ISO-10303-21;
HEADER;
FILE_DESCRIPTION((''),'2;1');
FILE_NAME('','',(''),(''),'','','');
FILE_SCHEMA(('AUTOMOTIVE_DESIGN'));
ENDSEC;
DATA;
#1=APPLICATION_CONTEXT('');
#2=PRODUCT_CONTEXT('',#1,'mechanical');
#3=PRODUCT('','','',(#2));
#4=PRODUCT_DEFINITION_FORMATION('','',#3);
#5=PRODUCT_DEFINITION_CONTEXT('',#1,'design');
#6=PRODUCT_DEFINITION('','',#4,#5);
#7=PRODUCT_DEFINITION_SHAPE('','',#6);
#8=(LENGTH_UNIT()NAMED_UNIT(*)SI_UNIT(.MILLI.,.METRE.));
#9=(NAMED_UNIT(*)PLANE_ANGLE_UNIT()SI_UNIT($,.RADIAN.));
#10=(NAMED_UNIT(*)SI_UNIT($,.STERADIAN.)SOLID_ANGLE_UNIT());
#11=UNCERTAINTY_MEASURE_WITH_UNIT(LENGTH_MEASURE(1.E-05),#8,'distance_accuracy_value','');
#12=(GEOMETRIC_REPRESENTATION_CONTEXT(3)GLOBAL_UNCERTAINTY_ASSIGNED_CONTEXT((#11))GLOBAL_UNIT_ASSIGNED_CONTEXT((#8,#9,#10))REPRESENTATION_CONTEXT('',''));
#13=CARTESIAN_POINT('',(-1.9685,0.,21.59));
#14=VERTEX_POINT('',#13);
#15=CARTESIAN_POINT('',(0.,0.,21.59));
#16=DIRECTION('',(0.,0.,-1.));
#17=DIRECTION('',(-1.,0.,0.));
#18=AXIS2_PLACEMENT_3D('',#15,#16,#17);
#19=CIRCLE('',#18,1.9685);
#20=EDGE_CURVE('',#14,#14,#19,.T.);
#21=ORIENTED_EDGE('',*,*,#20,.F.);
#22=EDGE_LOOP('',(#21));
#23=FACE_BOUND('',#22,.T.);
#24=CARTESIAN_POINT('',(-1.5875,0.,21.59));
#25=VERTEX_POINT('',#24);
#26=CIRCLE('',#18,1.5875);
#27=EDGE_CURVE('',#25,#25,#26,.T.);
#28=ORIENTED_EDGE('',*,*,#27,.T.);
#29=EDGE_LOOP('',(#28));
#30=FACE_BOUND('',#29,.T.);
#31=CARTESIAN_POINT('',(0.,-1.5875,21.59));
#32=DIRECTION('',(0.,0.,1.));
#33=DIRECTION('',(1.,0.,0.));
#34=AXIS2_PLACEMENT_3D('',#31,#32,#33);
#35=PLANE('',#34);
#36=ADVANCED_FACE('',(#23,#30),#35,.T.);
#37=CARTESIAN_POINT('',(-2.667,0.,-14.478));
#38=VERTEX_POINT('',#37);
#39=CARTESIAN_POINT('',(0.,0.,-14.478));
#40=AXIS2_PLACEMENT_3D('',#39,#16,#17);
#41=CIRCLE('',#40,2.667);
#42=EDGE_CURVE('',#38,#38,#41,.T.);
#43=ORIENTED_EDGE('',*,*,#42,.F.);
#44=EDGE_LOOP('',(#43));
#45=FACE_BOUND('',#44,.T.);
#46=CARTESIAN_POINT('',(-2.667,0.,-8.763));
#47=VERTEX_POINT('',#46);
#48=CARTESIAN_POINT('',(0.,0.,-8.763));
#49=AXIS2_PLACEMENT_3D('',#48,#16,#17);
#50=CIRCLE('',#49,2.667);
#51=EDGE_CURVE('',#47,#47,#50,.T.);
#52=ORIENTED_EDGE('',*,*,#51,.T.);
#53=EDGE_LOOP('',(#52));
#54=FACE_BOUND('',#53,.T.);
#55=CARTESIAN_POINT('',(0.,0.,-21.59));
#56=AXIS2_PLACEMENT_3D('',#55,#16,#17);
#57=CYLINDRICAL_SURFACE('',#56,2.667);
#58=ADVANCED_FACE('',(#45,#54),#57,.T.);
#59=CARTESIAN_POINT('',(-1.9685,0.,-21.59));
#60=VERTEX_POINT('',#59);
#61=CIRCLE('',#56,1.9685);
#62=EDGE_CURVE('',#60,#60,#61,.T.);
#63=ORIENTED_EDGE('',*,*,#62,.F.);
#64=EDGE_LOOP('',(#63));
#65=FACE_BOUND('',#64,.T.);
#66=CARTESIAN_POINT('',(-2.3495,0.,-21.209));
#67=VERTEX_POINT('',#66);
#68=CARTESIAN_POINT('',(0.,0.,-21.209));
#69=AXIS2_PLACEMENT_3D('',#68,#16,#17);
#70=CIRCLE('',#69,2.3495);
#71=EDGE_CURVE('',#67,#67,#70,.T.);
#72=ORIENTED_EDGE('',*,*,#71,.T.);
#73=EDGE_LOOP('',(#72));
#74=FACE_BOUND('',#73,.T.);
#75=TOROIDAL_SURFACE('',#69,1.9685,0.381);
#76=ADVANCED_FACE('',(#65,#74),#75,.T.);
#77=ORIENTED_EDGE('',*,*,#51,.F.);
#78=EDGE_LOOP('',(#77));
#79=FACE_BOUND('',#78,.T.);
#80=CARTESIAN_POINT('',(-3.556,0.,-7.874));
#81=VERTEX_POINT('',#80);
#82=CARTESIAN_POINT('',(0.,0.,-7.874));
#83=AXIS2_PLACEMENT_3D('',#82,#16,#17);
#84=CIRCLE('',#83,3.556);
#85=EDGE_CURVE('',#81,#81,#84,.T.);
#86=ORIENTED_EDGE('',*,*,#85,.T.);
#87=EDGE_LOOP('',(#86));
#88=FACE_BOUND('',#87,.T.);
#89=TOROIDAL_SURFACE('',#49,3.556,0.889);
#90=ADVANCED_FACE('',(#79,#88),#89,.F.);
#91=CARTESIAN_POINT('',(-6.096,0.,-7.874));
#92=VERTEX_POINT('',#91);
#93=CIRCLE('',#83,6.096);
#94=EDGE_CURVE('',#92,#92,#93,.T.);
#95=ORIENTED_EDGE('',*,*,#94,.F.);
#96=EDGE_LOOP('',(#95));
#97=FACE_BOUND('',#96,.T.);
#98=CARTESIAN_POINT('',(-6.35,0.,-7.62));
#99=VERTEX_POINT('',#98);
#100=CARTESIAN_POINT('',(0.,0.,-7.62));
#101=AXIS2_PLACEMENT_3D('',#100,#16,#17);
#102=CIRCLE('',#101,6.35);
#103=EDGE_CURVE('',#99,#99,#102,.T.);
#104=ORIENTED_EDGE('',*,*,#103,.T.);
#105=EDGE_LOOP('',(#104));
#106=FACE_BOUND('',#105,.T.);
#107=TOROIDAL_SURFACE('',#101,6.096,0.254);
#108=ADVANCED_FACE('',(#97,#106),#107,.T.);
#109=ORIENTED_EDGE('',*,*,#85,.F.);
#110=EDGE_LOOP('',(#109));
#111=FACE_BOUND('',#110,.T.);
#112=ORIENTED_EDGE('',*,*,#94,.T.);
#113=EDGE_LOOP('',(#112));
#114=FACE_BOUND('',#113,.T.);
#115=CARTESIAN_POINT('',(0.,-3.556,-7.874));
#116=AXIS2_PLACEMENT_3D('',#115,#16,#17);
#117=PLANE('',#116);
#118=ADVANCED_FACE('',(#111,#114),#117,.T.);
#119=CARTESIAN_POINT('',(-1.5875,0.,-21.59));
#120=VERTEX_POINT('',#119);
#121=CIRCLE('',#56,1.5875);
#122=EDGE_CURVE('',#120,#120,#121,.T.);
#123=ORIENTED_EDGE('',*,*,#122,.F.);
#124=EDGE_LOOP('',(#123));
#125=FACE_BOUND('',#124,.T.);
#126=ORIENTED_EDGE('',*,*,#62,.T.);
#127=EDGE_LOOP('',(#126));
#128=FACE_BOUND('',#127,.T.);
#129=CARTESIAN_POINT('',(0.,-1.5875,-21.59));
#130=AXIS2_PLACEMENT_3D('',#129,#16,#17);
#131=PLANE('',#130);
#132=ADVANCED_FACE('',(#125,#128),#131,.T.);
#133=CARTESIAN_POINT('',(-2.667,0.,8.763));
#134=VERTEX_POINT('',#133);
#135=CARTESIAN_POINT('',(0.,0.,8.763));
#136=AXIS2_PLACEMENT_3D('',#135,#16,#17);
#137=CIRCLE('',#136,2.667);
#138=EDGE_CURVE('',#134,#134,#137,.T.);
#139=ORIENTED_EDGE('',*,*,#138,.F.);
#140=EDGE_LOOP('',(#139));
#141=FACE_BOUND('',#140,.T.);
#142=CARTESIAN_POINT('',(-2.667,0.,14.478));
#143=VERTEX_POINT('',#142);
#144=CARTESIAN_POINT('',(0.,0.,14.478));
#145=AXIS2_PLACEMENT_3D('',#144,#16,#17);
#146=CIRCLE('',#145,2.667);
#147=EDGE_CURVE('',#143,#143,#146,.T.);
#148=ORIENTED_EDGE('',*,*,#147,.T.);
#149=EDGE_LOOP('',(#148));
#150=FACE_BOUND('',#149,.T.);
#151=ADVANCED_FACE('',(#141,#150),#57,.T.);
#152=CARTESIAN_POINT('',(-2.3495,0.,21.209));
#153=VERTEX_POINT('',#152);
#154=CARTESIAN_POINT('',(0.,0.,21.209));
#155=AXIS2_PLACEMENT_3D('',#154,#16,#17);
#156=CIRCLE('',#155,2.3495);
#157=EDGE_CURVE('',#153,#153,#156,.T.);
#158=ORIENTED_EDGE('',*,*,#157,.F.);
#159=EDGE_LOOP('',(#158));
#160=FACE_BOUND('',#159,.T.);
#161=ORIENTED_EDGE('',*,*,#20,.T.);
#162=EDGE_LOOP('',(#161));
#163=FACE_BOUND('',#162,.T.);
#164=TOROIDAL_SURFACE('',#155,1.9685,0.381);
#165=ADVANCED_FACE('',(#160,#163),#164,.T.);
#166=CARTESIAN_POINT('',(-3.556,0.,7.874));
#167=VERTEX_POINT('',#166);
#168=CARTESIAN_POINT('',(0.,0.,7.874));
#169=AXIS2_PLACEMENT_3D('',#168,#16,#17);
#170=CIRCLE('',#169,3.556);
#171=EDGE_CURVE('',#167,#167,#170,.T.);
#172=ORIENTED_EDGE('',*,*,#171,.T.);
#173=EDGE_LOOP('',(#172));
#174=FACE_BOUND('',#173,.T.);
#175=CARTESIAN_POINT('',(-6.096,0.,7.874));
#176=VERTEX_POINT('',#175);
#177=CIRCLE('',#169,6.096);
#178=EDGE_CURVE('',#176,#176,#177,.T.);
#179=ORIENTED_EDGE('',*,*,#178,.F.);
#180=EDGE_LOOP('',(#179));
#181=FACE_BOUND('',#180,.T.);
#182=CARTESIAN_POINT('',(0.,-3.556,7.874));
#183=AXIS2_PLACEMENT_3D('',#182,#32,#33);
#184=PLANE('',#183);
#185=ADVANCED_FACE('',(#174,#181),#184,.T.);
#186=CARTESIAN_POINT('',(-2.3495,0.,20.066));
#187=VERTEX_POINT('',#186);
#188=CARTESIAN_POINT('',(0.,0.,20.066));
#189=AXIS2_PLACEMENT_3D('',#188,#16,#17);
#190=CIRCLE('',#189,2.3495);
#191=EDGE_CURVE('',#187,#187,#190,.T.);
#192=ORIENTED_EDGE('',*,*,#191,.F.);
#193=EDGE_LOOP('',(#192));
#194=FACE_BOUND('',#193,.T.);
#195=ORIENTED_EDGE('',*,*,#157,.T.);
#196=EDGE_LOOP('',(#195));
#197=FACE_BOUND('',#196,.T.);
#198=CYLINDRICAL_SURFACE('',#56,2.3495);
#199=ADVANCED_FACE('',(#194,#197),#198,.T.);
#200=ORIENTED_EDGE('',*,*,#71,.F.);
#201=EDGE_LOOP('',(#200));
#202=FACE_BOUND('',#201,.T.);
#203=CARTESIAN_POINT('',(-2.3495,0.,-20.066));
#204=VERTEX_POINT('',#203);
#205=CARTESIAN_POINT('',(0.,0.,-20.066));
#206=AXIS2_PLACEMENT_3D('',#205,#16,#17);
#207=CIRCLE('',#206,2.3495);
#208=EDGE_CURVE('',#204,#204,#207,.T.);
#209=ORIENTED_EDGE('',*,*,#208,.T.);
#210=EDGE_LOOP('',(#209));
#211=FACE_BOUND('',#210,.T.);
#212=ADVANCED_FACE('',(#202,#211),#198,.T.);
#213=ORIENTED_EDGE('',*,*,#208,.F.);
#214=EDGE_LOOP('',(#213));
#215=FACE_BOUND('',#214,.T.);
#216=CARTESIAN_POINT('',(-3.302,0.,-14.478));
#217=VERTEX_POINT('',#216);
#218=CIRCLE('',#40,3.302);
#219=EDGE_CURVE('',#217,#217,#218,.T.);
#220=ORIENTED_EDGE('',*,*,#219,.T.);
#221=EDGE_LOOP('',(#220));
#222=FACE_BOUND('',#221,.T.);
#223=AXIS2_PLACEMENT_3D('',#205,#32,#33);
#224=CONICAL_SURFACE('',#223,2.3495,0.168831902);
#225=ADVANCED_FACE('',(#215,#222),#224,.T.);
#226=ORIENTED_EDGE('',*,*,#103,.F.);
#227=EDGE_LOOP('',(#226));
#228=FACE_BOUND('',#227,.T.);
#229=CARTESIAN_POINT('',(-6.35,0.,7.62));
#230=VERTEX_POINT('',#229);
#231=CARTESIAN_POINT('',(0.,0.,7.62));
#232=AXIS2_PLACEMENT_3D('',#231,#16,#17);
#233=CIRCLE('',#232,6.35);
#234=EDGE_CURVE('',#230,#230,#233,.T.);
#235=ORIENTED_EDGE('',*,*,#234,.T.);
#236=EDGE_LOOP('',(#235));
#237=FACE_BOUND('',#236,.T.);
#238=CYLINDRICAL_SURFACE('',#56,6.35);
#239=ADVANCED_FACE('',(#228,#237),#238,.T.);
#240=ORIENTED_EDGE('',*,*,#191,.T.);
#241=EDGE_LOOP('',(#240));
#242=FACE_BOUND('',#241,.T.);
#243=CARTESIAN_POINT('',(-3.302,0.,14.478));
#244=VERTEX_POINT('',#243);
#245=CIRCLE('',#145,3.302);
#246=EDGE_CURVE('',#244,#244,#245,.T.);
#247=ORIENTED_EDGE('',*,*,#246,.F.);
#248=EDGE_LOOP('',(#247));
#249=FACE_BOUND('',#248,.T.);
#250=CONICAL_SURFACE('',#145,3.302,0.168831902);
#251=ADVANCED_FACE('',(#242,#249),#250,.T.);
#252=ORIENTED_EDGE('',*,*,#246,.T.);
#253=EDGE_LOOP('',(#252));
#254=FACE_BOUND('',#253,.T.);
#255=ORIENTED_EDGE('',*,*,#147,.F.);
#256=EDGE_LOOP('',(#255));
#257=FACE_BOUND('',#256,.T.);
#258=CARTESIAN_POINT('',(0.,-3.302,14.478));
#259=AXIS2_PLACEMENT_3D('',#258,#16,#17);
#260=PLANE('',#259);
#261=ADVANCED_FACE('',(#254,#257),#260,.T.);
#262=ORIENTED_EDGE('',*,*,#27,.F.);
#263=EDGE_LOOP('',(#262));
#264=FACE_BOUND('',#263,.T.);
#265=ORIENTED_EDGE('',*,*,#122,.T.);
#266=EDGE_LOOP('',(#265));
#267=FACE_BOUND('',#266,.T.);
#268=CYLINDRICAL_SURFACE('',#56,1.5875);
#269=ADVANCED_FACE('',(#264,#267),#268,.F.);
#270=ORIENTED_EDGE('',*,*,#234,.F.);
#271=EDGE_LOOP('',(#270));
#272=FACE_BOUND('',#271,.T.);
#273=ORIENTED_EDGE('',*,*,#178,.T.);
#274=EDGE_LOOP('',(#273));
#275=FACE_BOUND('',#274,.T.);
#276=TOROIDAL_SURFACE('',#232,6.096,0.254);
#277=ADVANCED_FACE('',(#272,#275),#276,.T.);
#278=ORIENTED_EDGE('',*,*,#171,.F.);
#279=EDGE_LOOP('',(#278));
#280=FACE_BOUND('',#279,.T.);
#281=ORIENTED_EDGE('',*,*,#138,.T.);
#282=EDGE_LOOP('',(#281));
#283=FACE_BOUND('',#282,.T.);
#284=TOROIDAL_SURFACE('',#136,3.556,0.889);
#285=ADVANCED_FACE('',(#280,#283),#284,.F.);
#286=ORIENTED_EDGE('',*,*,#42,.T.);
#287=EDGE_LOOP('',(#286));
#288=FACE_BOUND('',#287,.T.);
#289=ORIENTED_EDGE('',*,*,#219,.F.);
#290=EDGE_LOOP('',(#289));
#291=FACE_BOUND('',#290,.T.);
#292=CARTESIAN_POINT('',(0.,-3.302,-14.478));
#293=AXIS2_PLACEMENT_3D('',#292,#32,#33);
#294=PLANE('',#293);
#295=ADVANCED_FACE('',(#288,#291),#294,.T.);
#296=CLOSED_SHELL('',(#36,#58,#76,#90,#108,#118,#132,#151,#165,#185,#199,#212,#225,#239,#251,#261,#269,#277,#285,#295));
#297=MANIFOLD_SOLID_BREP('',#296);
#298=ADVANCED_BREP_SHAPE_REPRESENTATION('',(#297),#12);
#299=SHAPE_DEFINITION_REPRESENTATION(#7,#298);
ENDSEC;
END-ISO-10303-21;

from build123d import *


with BuildPart() as part:
    # Sketch2 → Revolve1 (revolve)
    with BuildSketch(Plane(origin=(0, 0, 0), x_dir=(0, 0, -1), z_dir=(1, 0, 0))):
        with BuildLine():
            Line((-21.59, 1.5875), (-21.59, 1.9685))
            ThreePointArc((-21.59, 1.9685), (-21.478407684, 2.237907684), (-21.209, 2.3495))
            Line((-21.209, 2.3495), (-20.066, 2.3495))
            Line((-20.066, 2.3495), (-14.478, 3.302))
            Line((-14.478, 3.302), (-14.478, 2.667))
            Line((-14.478, 2.667), (-8.763, 2.667))
            ThreePointArc((-8.763, 2.667), (-8.134382072, 2.927382072), (-7.874, 3.556))
            Line((-7.874, 3.556), (-7.874, 6.096))
            ThreePointArc((-7.874, 6.096), (-7.799605122, 6.275605122), (-7.62, 6.35))
            Line((-7.62, 6.35), (7.62, 6.35))
            ThreePointArc((7.62, 6.35), (7.799605122, 6.275605122), (7.874, 6.096))
            Line((7.874, 6.096), (7.874, 3.556))
            ThreePointArc((7.874, 3.556), (8.134382072, 2.927382072), (8.763, 2.667))
            Line((8.763, 2.667), (14.478, 2.667))
            Line((14.478, 2.667), (14.478, 3.302))
            Line((14.478, 3.302), (20.066, 2.3495))
            Line((20.066, 2.3495), (21.209, 2.3495))
            ThreePointArc((21.209, 2.3495), (21.478407684, 2.237907684), (21.59, 1.9685))
            Line((21.59, 1.9685), (21.59, 1.5875))
            Line((21.59, 1.5875), (-21.59, 1.5875))
        make_face()
    revolve(axis=Axis((0, 0, -21.59), (0, 0, 1)))


solid = part.part
